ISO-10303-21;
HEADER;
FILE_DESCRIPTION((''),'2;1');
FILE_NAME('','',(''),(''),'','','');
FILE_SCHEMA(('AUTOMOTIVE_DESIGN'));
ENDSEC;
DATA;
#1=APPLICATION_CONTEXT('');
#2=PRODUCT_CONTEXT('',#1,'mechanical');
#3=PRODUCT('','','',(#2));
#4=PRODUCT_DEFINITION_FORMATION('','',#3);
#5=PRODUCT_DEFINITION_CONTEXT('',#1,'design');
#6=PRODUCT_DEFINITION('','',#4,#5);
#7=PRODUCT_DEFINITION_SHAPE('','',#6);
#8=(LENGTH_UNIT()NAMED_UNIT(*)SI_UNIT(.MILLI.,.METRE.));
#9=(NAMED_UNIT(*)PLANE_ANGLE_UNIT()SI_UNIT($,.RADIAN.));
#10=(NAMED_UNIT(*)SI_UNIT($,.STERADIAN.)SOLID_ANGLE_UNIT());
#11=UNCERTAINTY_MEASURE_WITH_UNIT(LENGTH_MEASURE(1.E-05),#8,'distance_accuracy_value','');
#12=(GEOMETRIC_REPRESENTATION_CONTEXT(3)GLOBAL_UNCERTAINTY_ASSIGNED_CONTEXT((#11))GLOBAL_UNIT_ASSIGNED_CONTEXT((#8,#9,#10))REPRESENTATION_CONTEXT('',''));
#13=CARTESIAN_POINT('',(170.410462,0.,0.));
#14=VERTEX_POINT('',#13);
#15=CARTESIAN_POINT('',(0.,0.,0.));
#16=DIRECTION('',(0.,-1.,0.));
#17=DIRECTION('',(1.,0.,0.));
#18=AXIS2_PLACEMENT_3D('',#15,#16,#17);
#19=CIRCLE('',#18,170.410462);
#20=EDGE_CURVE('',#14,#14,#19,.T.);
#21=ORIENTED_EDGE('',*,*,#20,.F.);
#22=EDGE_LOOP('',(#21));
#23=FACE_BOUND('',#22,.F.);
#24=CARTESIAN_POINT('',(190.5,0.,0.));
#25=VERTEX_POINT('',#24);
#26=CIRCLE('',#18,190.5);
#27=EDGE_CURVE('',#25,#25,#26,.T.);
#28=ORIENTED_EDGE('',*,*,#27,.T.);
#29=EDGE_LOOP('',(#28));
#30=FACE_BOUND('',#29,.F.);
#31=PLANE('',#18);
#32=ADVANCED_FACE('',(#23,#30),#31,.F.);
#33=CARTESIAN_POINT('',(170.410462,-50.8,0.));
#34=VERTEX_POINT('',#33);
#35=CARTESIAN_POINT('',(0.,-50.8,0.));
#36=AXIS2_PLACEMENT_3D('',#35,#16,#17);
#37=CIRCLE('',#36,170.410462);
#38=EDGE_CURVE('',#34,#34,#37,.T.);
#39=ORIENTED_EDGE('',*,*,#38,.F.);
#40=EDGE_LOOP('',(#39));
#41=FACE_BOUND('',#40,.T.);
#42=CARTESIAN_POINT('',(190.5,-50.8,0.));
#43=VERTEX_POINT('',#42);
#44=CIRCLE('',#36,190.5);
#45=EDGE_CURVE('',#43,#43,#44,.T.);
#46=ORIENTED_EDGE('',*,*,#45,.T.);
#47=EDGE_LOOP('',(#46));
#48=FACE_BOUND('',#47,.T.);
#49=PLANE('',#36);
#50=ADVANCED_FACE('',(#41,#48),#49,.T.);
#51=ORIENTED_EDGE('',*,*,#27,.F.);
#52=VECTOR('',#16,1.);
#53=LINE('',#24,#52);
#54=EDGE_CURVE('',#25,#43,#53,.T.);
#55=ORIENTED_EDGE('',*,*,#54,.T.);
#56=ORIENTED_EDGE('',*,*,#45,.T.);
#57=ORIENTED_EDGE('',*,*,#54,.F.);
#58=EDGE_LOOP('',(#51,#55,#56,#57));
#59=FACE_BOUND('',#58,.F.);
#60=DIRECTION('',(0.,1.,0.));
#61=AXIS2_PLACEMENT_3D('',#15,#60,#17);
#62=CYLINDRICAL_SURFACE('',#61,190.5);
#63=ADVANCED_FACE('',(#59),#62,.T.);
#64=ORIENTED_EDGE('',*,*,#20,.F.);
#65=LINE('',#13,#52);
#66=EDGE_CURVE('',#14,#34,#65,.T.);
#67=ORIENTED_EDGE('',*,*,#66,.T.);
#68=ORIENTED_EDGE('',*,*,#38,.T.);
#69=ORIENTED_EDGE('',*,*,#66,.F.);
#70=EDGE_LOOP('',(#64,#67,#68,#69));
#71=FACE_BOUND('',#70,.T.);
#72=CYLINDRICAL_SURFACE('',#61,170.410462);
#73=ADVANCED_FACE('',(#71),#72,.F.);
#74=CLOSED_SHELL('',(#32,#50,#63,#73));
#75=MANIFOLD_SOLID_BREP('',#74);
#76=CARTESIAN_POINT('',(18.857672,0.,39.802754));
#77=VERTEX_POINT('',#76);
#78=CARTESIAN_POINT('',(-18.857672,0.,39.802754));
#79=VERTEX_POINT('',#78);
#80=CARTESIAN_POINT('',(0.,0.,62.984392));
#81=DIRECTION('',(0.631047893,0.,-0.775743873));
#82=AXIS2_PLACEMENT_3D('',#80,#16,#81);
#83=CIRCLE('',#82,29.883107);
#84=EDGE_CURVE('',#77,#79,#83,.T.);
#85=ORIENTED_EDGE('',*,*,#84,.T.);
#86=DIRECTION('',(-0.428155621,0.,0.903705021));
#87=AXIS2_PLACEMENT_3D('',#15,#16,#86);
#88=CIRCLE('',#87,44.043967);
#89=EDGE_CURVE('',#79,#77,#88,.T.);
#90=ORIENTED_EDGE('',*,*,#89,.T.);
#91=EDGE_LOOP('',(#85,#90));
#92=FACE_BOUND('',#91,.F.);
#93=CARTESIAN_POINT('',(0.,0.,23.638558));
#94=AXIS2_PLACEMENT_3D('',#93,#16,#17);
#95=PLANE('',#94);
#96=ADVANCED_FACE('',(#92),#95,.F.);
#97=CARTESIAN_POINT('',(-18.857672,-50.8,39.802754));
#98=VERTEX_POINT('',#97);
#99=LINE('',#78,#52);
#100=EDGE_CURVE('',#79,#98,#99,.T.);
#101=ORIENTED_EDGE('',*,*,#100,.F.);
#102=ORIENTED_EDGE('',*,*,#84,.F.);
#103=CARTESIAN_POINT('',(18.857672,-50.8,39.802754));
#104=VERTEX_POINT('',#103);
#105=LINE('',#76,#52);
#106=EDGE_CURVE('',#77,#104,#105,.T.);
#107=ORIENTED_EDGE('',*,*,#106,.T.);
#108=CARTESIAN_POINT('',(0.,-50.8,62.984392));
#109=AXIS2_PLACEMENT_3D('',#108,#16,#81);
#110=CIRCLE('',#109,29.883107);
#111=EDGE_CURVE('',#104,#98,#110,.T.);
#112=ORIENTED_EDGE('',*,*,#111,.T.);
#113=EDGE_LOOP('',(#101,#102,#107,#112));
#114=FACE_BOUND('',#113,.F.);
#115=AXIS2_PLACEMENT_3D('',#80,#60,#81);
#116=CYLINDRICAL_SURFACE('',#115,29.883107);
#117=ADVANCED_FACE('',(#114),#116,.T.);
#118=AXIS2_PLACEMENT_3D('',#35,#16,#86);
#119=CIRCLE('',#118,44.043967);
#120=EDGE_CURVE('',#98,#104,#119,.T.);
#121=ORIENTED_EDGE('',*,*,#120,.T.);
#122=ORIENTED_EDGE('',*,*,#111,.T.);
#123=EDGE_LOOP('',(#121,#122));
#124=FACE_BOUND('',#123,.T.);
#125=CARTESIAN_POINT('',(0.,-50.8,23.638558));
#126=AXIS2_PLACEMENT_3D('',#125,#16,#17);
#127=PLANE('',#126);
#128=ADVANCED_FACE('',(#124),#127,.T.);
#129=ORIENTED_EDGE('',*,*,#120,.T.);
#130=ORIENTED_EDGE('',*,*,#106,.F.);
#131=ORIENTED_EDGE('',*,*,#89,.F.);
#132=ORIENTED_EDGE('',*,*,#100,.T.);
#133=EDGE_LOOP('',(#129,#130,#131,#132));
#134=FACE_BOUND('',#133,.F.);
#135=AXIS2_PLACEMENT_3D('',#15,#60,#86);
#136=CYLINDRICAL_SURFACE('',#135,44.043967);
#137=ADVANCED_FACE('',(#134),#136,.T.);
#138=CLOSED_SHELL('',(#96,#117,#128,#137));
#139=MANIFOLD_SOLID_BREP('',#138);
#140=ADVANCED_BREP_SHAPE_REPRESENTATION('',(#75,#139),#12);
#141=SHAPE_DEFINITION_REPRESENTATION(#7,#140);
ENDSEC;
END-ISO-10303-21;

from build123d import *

# Parameters (mm, degrees)
F0_R     = 190.5
F0_R_2   = 170.410462
F1_DEPTH = 50.8


with BuildPart() as f1:
    # F0 (on Front) → F1 (new body)
    with BuildSketch(Plane.XZ):
        Circle(F0_R)
        Circle(F0_R_2, mode=Mode.SUBTRACT)
        with BuildLine():
            ThreePointArc((18.857672, 39.802754), (0, 92.867499), (-18.857672, 39.802754))
            ThreePointArc((-18.857672, 39.802754), (0, -44.043967), (18.857672, 39.802754))
        make_face()
    extrude(amount=F1_DEPTH)


solid = f1.part
